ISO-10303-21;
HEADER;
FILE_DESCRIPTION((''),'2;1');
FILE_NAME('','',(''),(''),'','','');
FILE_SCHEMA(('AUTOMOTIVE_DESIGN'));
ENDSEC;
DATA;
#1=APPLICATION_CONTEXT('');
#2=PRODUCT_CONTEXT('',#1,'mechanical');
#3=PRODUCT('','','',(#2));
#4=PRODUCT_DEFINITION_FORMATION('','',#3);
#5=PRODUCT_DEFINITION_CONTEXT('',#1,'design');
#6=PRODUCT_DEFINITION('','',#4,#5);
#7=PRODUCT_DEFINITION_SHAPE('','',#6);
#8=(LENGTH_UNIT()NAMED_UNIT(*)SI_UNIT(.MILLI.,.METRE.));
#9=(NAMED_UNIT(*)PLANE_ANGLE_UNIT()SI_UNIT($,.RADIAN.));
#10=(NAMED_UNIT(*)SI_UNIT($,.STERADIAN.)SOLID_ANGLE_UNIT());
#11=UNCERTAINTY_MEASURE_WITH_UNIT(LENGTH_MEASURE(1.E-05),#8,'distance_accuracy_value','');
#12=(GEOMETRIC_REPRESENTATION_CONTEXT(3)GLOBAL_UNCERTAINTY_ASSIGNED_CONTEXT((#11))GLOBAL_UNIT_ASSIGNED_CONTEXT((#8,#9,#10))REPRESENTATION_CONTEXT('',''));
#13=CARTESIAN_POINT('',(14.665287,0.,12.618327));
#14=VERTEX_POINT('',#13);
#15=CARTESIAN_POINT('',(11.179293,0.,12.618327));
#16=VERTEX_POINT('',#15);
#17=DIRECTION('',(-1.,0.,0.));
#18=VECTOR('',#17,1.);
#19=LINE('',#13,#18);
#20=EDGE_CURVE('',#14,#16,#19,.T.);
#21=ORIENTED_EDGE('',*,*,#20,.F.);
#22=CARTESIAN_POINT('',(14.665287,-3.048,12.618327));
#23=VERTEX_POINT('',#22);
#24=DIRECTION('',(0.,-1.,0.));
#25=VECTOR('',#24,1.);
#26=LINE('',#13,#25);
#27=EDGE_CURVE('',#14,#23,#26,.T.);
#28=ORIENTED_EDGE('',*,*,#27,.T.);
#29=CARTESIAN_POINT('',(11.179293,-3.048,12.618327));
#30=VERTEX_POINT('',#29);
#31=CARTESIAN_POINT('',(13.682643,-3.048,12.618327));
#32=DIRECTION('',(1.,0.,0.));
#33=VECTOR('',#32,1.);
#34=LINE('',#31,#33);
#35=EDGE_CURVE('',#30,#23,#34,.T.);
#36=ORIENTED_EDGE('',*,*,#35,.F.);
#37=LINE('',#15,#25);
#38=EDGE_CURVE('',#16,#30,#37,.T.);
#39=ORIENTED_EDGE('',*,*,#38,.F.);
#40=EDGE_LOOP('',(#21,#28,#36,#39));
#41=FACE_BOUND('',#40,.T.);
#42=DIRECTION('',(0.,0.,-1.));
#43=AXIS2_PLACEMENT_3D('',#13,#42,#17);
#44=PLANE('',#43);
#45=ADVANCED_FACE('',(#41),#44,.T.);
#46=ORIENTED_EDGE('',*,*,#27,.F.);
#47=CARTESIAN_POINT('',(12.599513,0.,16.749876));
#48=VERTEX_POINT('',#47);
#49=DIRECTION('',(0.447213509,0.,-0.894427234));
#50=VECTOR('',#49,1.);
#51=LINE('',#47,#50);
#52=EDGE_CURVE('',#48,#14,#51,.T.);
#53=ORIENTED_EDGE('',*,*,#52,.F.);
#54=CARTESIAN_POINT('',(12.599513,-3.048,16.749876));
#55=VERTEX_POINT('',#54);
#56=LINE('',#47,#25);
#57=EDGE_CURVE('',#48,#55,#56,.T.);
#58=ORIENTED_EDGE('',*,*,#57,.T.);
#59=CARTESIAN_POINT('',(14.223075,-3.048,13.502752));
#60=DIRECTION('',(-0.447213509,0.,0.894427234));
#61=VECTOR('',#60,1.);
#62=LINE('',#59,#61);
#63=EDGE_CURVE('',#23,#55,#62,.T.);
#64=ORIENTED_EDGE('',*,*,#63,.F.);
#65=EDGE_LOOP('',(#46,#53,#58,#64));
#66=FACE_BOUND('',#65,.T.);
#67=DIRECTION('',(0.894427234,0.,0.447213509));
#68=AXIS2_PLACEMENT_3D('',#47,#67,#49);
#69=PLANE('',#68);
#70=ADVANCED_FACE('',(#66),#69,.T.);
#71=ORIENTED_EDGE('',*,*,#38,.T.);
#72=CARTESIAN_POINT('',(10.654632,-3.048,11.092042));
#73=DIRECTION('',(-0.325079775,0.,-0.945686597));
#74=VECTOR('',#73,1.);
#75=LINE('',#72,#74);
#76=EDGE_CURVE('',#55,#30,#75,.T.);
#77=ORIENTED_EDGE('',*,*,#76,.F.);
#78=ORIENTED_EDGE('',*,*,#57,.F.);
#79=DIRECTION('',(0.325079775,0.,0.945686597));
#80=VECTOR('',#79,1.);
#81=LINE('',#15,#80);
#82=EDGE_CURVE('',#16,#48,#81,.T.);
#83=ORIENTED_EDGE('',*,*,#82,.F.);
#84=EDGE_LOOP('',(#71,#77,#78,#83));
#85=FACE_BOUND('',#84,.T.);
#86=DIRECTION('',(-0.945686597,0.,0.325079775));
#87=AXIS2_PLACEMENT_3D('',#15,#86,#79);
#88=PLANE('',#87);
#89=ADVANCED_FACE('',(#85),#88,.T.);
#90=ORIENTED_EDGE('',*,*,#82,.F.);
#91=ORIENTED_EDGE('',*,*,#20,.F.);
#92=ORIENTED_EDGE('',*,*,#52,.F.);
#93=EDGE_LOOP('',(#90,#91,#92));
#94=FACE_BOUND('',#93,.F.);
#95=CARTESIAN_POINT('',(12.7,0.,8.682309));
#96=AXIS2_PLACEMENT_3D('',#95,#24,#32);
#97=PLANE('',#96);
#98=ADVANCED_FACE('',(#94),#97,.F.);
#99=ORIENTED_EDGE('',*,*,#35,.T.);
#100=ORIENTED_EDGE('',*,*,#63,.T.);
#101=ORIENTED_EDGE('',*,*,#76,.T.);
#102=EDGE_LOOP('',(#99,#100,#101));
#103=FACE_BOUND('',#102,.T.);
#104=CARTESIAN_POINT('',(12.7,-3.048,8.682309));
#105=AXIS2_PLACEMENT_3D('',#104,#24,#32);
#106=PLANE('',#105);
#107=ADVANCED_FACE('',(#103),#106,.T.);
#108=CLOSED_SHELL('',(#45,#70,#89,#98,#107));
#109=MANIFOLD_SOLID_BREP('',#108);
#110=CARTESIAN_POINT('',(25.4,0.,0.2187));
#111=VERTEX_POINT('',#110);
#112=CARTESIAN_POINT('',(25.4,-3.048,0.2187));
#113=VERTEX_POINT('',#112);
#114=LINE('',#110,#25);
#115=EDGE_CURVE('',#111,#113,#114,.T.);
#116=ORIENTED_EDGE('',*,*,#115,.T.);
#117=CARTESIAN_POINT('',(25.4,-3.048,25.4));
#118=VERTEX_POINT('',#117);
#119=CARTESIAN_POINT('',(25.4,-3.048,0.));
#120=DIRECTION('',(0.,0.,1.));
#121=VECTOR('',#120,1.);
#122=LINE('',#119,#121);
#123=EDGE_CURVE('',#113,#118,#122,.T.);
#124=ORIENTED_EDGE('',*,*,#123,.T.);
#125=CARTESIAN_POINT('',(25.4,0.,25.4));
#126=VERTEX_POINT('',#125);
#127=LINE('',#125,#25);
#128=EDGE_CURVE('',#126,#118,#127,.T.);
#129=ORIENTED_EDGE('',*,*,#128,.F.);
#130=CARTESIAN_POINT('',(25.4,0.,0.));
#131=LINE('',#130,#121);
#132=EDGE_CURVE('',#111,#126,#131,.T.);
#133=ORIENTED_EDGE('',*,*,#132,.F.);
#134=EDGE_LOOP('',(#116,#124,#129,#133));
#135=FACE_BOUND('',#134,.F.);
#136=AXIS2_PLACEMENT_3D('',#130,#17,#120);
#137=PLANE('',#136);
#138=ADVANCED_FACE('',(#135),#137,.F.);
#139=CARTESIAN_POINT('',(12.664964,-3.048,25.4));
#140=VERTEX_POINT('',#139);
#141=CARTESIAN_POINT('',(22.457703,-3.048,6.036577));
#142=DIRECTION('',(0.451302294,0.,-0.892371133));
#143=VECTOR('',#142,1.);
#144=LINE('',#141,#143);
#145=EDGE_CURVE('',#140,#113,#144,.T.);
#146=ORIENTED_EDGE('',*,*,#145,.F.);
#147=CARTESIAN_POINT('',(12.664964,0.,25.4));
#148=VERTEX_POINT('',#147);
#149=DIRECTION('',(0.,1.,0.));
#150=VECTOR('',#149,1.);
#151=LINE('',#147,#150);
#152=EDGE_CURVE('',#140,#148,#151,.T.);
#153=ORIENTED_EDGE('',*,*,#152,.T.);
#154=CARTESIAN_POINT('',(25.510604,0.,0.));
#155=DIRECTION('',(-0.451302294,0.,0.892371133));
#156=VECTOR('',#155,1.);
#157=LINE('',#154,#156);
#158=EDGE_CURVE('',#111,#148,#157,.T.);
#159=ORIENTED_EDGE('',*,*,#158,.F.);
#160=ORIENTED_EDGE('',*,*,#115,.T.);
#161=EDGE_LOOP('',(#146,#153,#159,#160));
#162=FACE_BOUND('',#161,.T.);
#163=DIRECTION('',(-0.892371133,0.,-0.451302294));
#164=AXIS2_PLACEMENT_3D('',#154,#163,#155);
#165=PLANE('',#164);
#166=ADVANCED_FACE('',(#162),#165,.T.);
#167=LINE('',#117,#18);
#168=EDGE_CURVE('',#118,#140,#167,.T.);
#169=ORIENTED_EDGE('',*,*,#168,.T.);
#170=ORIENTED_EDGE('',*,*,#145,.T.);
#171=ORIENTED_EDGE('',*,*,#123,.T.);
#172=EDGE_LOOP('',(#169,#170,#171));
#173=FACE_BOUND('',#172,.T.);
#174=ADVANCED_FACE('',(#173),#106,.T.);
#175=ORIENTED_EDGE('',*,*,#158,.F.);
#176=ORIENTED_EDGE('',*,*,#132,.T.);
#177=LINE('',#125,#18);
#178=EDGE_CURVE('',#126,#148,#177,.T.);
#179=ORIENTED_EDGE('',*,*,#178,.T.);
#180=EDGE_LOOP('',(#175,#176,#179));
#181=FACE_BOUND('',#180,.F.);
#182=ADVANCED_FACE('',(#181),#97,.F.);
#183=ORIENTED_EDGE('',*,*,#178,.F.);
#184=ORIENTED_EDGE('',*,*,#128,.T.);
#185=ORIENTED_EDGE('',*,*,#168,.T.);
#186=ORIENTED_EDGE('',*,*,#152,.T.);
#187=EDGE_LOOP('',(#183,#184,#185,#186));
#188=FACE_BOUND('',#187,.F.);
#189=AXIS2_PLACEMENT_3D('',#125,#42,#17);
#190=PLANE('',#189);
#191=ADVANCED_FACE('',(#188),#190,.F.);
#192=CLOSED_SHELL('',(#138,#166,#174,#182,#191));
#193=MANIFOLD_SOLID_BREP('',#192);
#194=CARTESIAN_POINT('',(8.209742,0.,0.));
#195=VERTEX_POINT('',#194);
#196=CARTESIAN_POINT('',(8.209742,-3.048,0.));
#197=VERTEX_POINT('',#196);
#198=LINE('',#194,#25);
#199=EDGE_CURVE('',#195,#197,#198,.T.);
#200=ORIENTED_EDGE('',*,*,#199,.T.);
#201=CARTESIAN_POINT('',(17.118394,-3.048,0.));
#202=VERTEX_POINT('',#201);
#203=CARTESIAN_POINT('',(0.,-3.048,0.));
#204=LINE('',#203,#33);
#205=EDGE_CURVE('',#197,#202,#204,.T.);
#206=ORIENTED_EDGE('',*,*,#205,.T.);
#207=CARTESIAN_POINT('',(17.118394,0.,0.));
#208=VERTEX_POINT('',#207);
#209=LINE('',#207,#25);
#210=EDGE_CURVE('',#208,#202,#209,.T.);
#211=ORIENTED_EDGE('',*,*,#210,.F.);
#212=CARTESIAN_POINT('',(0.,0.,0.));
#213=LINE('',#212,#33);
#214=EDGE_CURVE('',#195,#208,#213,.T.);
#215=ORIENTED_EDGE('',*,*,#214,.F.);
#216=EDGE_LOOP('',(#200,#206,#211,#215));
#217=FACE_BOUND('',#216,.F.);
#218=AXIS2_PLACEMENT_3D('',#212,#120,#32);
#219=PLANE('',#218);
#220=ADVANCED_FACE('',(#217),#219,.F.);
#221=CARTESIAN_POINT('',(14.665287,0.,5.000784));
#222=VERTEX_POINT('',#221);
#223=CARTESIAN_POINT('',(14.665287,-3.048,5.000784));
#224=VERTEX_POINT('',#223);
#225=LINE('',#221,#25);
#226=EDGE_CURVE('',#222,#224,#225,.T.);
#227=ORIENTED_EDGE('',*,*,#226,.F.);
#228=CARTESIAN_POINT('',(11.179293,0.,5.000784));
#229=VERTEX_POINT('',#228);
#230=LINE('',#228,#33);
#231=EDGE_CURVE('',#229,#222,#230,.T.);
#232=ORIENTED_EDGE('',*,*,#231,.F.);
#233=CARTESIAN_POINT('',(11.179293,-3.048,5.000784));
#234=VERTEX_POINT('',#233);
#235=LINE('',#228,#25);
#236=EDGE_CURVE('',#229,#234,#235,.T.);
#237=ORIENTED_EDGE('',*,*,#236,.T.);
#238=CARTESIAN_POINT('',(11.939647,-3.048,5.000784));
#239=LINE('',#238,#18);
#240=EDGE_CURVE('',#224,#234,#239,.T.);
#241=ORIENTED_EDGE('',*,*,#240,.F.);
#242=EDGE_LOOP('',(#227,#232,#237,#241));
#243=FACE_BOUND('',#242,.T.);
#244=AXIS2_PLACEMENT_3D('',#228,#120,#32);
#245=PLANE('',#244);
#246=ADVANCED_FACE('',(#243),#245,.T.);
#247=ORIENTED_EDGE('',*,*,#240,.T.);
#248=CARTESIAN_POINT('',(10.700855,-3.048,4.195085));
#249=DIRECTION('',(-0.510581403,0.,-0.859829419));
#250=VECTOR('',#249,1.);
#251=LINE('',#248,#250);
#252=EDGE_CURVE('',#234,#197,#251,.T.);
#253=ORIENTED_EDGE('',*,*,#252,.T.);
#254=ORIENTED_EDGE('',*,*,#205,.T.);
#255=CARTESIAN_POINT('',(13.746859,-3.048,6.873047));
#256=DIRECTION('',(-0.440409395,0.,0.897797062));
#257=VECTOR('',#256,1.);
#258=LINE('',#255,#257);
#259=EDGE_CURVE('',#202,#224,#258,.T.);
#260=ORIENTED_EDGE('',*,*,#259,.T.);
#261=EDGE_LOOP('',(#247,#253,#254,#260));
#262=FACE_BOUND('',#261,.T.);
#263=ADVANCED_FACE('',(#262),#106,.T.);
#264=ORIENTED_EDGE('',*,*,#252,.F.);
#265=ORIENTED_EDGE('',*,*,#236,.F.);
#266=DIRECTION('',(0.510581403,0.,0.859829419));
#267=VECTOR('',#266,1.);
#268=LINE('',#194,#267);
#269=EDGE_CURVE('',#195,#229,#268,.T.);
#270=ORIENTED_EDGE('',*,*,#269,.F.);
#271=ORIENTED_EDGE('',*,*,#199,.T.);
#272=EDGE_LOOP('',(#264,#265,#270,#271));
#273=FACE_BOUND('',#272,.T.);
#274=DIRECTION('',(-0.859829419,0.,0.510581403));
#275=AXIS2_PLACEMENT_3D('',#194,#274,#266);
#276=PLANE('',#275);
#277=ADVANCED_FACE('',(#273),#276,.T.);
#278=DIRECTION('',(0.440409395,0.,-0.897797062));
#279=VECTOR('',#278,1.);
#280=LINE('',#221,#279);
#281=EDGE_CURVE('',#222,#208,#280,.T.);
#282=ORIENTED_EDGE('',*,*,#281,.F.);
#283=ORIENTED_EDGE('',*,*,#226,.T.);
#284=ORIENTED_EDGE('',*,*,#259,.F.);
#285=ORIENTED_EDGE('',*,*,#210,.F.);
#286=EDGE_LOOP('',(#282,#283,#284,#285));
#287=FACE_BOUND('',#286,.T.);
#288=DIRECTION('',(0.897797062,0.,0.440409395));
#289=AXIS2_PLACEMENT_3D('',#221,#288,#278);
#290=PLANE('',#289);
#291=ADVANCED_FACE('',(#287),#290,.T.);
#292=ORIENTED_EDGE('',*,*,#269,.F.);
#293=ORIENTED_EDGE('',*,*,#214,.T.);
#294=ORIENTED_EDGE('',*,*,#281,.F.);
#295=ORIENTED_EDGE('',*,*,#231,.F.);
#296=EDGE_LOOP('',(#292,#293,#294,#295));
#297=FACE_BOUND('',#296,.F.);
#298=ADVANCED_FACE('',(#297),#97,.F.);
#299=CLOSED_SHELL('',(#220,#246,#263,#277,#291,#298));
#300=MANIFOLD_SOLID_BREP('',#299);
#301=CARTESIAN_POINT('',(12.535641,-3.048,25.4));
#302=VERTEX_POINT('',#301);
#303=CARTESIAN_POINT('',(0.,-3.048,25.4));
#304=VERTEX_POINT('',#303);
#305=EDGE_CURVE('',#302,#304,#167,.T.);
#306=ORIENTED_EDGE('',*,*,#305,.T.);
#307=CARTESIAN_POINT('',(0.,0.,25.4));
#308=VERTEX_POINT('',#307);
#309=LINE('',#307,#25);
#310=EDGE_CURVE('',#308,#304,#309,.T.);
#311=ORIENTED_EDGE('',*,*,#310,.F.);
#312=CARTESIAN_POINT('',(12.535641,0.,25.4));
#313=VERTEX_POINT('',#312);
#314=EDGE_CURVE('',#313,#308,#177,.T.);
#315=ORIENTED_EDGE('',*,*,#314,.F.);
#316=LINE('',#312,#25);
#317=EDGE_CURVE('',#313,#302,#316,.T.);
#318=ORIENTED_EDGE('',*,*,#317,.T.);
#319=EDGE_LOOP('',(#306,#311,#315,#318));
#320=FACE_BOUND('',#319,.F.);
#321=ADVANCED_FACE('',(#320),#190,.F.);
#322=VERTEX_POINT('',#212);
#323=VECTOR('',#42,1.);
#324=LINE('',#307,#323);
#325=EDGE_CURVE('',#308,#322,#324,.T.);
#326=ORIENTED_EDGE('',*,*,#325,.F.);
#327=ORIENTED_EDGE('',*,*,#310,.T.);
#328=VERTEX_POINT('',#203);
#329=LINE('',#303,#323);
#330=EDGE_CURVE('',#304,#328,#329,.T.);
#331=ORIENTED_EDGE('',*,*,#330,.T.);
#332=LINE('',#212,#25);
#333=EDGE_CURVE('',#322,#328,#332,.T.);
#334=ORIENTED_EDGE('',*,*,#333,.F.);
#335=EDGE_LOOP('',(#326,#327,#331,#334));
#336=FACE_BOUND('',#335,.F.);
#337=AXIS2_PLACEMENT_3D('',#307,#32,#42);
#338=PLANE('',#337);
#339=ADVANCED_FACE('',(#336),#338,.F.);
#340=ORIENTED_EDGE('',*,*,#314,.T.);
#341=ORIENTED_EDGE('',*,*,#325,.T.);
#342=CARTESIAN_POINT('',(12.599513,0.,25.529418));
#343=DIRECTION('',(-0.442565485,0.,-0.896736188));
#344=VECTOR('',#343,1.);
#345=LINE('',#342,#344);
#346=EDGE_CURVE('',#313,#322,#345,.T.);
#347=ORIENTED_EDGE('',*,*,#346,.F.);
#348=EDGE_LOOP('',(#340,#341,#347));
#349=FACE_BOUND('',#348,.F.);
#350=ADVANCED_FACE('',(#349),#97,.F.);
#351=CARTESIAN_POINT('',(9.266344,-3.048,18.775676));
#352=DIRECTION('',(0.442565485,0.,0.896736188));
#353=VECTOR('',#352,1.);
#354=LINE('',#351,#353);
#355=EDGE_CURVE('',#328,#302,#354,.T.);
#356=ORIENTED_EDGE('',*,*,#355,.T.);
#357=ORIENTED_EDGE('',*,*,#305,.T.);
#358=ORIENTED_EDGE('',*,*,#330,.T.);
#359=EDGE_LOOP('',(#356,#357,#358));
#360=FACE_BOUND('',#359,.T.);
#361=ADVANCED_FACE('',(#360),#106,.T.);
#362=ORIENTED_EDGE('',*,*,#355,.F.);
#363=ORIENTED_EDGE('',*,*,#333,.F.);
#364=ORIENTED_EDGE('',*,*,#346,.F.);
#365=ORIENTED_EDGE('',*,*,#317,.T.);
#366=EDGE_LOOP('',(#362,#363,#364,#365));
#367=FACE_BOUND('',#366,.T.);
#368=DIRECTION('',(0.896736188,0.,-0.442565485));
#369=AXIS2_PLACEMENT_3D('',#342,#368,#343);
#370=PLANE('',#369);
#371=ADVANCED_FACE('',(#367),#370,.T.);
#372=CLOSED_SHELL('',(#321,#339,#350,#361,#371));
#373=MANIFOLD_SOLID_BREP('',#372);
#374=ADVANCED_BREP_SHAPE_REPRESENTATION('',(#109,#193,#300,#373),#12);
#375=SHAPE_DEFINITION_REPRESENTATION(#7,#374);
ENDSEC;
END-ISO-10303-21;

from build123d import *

# Parameters (mm, degrees)
F1_DEPTH = 3.048
F3_DEPTH = 25.4


with BuildPart() as f1:
    # F0 (on Front) → F1 (new body)
    with BuildSketch(Plane.XZ):
        Polygon((12.7, 25.4), (0, 0), (8.382, 0), (10.954251, 5.144501), (14.445749, 5.144501), (17.018, 0), (25.4, 0), align=None)
        Polygon((14.8082, 12.7), (10.5918, 12.7), (12.7, 16.9164), align=None, mode=Mode.SUBTRACT)
        Polygon((0, 25.4), (0, 0), (12.7, 25.4), align=None)
        Polygon((10.954251, 5.144501), (8.382, 0), (17.018, 0), (14.445749, 5.144501), align=None)
        Polygon((25.4, 25.4), (12.7, 25.4), (25.4, 0), align=None)
        Polygon((12.7, 16.9164), (10.5918, 12.7), (14.8082, 12.7), align=None)
    extrude(amount=F1_DEPTH)

    # F2 (on Front) → F3 (cut)
    with BuildSketch(Plane.XZ):
        Polygon((12.599513, 25.529418), (0, 0), (8.209742, 0), (11.179293, 5.000784), (14.665287, 5.000784), (17.118394, 0), (25.510604, 0), align=None)
        Polygon((14.665287, 12.618327), (11.179293, 12.618327), (12.599513, 16.749876), align=None, mode=Mode.SUBTRACT)
    extrude(amount=F3_DEPTH, mode=Mode.SUBTRACT)


solid = f1.part
